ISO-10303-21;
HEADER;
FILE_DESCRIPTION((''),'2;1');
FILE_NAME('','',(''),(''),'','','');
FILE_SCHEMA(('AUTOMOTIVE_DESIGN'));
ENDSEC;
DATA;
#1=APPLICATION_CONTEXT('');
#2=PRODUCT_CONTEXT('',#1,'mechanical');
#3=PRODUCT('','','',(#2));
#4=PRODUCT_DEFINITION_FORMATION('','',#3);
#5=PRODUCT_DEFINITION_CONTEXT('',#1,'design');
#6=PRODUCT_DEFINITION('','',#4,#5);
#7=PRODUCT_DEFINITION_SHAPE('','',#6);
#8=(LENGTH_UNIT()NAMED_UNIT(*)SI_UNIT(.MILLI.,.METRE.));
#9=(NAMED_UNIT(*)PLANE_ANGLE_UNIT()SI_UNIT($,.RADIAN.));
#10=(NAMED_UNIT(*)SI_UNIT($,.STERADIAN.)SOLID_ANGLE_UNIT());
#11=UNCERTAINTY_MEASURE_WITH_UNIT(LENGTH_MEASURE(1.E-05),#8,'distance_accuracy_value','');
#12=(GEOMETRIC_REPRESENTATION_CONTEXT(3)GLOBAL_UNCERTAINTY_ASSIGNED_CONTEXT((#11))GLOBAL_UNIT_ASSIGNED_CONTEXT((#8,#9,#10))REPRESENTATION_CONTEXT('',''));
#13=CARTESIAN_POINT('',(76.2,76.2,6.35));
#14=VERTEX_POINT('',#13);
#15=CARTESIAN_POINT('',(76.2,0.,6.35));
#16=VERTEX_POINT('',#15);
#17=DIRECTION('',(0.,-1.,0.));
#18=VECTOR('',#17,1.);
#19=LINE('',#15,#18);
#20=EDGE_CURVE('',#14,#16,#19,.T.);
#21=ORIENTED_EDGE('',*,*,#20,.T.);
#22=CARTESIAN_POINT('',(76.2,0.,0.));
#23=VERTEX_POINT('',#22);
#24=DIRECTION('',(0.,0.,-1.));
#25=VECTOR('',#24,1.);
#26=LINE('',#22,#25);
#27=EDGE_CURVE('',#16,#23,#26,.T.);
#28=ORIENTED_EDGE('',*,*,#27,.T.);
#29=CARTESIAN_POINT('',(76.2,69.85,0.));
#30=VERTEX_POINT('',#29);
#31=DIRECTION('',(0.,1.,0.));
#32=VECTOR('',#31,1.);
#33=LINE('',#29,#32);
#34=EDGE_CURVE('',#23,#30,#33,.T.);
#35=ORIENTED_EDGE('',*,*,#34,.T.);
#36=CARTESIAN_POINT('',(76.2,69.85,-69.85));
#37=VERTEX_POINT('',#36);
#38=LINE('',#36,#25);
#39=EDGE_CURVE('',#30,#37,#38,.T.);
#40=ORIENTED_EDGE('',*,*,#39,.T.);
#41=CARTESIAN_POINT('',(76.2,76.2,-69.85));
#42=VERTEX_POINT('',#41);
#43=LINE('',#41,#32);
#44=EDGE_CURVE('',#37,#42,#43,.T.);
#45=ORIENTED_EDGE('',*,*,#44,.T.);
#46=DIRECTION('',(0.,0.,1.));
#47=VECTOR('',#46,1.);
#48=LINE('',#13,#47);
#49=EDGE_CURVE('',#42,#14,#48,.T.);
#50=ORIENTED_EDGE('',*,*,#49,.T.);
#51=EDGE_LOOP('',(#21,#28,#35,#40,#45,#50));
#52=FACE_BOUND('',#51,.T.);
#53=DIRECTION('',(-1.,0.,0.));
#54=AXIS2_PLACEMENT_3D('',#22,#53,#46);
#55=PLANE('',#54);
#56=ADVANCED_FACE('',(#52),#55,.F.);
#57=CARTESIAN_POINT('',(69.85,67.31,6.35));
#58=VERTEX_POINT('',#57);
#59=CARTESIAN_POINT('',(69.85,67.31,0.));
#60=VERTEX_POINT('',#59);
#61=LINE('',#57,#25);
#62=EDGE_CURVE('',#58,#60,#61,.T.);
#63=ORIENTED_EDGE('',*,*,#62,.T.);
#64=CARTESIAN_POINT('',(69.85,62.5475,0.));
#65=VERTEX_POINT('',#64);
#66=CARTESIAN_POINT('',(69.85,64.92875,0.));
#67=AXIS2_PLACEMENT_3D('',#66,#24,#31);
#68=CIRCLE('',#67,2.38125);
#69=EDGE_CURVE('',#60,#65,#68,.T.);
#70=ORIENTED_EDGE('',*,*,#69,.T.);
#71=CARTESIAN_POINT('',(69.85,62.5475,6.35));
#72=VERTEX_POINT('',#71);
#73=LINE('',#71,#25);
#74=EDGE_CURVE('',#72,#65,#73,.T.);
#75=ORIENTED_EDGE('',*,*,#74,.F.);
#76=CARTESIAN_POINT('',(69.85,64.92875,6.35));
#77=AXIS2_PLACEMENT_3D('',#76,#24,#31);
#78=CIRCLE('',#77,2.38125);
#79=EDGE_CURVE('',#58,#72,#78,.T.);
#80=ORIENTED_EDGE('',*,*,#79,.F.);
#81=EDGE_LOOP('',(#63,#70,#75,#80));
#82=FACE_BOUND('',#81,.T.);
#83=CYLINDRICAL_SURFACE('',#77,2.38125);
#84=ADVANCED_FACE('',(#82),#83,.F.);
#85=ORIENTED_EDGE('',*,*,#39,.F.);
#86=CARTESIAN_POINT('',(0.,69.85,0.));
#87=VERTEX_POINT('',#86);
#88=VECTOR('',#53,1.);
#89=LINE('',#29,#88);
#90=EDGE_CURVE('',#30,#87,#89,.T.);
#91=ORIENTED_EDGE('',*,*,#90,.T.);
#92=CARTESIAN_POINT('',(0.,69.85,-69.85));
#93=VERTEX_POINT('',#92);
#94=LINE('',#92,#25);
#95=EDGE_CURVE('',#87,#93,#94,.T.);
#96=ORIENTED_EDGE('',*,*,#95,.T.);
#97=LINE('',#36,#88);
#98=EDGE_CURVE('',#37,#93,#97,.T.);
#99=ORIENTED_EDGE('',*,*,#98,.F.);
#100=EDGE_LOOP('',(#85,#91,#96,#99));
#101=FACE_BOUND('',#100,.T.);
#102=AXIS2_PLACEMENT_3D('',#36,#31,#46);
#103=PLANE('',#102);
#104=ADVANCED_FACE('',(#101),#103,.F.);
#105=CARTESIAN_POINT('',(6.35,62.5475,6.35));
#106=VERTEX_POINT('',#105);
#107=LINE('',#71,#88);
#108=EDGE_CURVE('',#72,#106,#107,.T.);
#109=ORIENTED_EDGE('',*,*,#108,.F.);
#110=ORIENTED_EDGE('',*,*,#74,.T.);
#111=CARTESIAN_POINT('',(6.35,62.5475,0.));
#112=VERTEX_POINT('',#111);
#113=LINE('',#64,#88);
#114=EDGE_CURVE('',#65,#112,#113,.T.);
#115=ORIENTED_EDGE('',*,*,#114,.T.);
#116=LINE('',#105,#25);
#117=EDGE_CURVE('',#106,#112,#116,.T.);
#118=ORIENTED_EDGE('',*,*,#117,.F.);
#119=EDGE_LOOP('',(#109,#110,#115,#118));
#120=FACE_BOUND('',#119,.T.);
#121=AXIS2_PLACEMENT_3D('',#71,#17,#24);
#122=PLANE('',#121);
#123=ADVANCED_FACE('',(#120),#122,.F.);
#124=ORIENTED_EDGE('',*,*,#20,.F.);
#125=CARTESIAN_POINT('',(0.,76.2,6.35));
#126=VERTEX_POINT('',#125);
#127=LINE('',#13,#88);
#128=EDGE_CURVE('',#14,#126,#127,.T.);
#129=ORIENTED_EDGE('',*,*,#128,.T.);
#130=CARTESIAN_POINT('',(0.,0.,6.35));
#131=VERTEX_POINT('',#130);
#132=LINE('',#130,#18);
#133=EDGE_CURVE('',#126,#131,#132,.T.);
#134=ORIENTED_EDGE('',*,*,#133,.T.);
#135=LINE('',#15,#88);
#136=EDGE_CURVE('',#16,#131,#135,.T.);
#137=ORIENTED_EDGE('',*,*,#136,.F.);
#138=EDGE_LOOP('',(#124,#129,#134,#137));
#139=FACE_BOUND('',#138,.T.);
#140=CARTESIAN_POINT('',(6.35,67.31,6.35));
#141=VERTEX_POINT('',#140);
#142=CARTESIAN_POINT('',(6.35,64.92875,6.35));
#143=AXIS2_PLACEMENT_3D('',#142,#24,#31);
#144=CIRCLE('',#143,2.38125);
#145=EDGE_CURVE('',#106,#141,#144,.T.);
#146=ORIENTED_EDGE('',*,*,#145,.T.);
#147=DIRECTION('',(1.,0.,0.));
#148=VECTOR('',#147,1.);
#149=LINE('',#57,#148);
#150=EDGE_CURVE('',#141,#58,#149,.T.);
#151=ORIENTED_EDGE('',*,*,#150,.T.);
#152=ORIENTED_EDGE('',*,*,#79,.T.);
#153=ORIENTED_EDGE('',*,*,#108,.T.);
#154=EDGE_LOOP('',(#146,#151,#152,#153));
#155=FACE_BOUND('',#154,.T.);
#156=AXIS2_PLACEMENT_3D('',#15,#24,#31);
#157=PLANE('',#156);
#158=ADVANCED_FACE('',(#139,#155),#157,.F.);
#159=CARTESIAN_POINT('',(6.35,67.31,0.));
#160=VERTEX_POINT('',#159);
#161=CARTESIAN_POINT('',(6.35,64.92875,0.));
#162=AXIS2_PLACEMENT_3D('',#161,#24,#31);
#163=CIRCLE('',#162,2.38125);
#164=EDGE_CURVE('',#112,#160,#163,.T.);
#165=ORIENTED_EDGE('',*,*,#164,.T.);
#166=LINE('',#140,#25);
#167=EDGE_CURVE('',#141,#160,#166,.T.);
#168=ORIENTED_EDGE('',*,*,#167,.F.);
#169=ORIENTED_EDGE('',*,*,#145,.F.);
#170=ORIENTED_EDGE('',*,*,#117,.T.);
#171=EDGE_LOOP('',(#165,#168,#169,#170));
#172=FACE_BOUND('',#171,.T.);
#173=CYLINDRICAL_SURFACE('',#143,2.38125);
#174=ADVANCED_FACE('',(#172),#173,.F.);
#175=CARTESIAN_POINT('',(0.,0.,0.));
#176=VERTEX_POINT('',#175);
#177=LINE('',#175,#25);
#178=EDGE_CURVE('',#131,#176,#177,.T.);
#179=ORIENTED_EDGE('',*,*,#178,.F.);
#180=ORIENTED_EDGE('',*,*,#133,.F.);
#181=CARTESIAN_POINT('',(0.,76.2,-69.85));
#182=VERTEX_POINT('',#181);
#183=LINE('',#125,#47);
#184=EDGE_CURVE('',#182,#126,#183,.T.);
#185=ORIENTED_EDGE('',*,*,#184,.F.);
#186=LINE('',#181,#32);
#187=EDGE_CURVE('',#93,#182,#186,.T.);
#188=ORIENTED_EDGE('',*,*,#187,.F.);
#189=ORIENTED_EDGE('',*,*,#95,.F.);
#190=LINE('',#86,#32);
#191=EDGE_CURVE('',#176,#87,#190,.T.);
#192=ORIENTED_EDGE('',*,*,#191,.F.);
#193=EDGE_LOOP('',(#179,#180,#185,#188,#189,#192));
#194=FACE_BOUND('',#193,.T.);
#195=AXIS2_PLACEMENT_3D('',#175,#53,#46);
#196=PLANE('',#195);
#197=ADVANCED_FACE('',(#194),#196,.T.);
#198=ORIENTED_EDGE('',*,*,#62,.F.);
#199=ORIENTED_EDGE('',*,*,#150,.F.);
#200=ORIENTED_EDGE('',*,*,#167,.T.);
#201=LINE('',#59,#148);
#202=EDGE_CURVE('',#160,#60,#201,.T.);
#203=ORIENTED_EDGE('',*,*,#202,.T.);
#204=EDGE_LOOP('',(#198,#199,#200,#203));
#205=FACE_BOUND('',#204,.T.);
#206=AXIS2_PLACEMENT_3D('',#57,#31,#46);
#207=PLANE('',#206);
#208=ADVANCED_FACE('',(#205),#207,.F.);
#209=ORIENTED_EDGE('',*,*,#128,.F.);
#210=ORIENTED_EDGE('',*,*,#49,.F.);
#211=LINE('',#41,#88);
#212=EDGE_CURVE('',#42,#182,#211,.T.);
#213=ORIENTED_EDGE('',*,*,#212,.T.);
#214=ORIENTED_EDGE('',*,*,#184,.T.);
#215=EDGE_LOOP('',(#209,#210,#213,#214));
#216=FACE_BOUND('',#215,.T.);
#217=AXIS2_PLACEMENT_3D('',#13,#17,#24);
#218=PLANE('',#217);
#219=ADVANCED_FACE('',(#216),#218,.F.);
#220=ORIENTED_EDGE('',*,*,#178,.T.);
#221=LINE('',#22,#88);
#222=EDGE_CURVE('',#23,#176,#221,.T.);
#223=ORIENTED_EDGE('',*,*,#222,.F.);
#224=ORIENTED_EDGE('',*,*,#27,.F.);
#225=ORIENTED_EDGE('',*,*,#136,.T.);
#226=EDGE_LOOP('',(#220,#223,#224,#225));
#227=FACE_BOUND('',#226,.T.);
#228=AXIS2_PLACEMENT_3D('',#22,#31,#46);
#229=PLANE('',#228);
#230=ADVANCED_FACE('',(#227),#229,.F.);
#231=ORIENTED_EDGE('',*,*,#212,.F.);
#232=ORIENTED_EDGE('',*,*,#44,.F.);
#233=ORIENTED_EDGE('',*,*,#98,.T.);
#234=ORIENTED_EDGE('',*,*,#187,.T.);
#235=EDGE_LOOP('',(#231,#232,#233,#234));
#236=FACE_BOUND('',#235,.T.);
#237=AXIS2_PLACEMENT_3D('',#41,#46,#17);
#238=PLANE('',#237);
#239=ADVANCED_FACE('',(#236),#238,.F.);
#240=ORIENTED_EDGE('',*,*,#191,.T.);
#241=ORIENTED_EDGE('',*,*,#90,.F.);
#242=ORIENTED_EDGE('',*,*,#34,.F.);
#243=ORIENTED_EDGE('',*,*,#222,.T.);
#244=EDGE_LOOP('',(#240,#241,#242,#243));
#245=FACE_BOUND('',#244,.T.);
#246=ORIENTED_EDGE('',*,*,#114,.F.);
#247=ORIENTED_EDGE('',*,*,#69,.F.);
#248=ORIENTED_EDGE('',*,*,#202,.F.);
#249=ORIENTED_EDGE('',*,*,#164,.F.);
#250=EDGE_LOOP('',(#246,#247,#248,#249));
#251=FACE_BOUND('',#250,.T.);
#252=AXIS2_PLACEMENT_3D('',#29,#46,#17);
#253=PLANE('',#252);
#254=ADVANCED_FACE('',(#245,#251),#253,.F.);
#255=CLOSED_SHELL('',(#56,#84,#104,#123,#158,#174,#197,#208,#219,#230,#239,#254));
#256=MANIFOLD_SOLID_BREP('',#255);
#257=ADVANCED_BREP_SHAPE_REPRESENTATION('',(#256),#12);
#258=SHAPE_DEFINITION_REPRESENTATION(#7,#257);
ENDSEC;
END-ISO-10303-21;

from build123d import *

# Parameters (mm, degrees)
BOSS_EXTRUDE1_DEPTH = 76.2
CUT_EXTRUDE3_DEPTH  = 129.420802443


with BuildPart() as part:
    # Sketch1 → Boss-Extrude1 (new body)
    with BuildSketch(Plane(origin=(0, 0, 0), x_dir=(0, 0, -1), z_dir=(1, 0, 0))):
        Polygon((-6.35, 76.2), (69.85, 76.2), (69.85, 69.85), (0, 69.85), (0, 0), (-6.35, 0), align=None)
    extrude(amount=BOSS_EXTRUDE1_DEPTH)

    # Sketch7 → Cut-Extrude3 (cut, through all)
    with BuildSketch(Plane(origin=(0, 0, 0), x_dir=(-1, 0, 0), z_dir=(0, 0, -1))):
        with BuildLine():
            Line((-69.85, 67.31), (-6.35, 67.31))
            ThreePointArc((-6.35, 67.31), (-3.96875, 64.92875), (-6.35, 62.5475))
            Line((-6.35, 62.5475), (-69.85, 62.5475))
            ThreePointArc((-69.85, 62.5475), (-72.23125, 64.92875), (-69.85, 67.31))
        make_face()
    extrude(amount=-CUT_EXTRUDE3_DEPTH, mode=Mode.SUBTRACT)


solid = part.part
